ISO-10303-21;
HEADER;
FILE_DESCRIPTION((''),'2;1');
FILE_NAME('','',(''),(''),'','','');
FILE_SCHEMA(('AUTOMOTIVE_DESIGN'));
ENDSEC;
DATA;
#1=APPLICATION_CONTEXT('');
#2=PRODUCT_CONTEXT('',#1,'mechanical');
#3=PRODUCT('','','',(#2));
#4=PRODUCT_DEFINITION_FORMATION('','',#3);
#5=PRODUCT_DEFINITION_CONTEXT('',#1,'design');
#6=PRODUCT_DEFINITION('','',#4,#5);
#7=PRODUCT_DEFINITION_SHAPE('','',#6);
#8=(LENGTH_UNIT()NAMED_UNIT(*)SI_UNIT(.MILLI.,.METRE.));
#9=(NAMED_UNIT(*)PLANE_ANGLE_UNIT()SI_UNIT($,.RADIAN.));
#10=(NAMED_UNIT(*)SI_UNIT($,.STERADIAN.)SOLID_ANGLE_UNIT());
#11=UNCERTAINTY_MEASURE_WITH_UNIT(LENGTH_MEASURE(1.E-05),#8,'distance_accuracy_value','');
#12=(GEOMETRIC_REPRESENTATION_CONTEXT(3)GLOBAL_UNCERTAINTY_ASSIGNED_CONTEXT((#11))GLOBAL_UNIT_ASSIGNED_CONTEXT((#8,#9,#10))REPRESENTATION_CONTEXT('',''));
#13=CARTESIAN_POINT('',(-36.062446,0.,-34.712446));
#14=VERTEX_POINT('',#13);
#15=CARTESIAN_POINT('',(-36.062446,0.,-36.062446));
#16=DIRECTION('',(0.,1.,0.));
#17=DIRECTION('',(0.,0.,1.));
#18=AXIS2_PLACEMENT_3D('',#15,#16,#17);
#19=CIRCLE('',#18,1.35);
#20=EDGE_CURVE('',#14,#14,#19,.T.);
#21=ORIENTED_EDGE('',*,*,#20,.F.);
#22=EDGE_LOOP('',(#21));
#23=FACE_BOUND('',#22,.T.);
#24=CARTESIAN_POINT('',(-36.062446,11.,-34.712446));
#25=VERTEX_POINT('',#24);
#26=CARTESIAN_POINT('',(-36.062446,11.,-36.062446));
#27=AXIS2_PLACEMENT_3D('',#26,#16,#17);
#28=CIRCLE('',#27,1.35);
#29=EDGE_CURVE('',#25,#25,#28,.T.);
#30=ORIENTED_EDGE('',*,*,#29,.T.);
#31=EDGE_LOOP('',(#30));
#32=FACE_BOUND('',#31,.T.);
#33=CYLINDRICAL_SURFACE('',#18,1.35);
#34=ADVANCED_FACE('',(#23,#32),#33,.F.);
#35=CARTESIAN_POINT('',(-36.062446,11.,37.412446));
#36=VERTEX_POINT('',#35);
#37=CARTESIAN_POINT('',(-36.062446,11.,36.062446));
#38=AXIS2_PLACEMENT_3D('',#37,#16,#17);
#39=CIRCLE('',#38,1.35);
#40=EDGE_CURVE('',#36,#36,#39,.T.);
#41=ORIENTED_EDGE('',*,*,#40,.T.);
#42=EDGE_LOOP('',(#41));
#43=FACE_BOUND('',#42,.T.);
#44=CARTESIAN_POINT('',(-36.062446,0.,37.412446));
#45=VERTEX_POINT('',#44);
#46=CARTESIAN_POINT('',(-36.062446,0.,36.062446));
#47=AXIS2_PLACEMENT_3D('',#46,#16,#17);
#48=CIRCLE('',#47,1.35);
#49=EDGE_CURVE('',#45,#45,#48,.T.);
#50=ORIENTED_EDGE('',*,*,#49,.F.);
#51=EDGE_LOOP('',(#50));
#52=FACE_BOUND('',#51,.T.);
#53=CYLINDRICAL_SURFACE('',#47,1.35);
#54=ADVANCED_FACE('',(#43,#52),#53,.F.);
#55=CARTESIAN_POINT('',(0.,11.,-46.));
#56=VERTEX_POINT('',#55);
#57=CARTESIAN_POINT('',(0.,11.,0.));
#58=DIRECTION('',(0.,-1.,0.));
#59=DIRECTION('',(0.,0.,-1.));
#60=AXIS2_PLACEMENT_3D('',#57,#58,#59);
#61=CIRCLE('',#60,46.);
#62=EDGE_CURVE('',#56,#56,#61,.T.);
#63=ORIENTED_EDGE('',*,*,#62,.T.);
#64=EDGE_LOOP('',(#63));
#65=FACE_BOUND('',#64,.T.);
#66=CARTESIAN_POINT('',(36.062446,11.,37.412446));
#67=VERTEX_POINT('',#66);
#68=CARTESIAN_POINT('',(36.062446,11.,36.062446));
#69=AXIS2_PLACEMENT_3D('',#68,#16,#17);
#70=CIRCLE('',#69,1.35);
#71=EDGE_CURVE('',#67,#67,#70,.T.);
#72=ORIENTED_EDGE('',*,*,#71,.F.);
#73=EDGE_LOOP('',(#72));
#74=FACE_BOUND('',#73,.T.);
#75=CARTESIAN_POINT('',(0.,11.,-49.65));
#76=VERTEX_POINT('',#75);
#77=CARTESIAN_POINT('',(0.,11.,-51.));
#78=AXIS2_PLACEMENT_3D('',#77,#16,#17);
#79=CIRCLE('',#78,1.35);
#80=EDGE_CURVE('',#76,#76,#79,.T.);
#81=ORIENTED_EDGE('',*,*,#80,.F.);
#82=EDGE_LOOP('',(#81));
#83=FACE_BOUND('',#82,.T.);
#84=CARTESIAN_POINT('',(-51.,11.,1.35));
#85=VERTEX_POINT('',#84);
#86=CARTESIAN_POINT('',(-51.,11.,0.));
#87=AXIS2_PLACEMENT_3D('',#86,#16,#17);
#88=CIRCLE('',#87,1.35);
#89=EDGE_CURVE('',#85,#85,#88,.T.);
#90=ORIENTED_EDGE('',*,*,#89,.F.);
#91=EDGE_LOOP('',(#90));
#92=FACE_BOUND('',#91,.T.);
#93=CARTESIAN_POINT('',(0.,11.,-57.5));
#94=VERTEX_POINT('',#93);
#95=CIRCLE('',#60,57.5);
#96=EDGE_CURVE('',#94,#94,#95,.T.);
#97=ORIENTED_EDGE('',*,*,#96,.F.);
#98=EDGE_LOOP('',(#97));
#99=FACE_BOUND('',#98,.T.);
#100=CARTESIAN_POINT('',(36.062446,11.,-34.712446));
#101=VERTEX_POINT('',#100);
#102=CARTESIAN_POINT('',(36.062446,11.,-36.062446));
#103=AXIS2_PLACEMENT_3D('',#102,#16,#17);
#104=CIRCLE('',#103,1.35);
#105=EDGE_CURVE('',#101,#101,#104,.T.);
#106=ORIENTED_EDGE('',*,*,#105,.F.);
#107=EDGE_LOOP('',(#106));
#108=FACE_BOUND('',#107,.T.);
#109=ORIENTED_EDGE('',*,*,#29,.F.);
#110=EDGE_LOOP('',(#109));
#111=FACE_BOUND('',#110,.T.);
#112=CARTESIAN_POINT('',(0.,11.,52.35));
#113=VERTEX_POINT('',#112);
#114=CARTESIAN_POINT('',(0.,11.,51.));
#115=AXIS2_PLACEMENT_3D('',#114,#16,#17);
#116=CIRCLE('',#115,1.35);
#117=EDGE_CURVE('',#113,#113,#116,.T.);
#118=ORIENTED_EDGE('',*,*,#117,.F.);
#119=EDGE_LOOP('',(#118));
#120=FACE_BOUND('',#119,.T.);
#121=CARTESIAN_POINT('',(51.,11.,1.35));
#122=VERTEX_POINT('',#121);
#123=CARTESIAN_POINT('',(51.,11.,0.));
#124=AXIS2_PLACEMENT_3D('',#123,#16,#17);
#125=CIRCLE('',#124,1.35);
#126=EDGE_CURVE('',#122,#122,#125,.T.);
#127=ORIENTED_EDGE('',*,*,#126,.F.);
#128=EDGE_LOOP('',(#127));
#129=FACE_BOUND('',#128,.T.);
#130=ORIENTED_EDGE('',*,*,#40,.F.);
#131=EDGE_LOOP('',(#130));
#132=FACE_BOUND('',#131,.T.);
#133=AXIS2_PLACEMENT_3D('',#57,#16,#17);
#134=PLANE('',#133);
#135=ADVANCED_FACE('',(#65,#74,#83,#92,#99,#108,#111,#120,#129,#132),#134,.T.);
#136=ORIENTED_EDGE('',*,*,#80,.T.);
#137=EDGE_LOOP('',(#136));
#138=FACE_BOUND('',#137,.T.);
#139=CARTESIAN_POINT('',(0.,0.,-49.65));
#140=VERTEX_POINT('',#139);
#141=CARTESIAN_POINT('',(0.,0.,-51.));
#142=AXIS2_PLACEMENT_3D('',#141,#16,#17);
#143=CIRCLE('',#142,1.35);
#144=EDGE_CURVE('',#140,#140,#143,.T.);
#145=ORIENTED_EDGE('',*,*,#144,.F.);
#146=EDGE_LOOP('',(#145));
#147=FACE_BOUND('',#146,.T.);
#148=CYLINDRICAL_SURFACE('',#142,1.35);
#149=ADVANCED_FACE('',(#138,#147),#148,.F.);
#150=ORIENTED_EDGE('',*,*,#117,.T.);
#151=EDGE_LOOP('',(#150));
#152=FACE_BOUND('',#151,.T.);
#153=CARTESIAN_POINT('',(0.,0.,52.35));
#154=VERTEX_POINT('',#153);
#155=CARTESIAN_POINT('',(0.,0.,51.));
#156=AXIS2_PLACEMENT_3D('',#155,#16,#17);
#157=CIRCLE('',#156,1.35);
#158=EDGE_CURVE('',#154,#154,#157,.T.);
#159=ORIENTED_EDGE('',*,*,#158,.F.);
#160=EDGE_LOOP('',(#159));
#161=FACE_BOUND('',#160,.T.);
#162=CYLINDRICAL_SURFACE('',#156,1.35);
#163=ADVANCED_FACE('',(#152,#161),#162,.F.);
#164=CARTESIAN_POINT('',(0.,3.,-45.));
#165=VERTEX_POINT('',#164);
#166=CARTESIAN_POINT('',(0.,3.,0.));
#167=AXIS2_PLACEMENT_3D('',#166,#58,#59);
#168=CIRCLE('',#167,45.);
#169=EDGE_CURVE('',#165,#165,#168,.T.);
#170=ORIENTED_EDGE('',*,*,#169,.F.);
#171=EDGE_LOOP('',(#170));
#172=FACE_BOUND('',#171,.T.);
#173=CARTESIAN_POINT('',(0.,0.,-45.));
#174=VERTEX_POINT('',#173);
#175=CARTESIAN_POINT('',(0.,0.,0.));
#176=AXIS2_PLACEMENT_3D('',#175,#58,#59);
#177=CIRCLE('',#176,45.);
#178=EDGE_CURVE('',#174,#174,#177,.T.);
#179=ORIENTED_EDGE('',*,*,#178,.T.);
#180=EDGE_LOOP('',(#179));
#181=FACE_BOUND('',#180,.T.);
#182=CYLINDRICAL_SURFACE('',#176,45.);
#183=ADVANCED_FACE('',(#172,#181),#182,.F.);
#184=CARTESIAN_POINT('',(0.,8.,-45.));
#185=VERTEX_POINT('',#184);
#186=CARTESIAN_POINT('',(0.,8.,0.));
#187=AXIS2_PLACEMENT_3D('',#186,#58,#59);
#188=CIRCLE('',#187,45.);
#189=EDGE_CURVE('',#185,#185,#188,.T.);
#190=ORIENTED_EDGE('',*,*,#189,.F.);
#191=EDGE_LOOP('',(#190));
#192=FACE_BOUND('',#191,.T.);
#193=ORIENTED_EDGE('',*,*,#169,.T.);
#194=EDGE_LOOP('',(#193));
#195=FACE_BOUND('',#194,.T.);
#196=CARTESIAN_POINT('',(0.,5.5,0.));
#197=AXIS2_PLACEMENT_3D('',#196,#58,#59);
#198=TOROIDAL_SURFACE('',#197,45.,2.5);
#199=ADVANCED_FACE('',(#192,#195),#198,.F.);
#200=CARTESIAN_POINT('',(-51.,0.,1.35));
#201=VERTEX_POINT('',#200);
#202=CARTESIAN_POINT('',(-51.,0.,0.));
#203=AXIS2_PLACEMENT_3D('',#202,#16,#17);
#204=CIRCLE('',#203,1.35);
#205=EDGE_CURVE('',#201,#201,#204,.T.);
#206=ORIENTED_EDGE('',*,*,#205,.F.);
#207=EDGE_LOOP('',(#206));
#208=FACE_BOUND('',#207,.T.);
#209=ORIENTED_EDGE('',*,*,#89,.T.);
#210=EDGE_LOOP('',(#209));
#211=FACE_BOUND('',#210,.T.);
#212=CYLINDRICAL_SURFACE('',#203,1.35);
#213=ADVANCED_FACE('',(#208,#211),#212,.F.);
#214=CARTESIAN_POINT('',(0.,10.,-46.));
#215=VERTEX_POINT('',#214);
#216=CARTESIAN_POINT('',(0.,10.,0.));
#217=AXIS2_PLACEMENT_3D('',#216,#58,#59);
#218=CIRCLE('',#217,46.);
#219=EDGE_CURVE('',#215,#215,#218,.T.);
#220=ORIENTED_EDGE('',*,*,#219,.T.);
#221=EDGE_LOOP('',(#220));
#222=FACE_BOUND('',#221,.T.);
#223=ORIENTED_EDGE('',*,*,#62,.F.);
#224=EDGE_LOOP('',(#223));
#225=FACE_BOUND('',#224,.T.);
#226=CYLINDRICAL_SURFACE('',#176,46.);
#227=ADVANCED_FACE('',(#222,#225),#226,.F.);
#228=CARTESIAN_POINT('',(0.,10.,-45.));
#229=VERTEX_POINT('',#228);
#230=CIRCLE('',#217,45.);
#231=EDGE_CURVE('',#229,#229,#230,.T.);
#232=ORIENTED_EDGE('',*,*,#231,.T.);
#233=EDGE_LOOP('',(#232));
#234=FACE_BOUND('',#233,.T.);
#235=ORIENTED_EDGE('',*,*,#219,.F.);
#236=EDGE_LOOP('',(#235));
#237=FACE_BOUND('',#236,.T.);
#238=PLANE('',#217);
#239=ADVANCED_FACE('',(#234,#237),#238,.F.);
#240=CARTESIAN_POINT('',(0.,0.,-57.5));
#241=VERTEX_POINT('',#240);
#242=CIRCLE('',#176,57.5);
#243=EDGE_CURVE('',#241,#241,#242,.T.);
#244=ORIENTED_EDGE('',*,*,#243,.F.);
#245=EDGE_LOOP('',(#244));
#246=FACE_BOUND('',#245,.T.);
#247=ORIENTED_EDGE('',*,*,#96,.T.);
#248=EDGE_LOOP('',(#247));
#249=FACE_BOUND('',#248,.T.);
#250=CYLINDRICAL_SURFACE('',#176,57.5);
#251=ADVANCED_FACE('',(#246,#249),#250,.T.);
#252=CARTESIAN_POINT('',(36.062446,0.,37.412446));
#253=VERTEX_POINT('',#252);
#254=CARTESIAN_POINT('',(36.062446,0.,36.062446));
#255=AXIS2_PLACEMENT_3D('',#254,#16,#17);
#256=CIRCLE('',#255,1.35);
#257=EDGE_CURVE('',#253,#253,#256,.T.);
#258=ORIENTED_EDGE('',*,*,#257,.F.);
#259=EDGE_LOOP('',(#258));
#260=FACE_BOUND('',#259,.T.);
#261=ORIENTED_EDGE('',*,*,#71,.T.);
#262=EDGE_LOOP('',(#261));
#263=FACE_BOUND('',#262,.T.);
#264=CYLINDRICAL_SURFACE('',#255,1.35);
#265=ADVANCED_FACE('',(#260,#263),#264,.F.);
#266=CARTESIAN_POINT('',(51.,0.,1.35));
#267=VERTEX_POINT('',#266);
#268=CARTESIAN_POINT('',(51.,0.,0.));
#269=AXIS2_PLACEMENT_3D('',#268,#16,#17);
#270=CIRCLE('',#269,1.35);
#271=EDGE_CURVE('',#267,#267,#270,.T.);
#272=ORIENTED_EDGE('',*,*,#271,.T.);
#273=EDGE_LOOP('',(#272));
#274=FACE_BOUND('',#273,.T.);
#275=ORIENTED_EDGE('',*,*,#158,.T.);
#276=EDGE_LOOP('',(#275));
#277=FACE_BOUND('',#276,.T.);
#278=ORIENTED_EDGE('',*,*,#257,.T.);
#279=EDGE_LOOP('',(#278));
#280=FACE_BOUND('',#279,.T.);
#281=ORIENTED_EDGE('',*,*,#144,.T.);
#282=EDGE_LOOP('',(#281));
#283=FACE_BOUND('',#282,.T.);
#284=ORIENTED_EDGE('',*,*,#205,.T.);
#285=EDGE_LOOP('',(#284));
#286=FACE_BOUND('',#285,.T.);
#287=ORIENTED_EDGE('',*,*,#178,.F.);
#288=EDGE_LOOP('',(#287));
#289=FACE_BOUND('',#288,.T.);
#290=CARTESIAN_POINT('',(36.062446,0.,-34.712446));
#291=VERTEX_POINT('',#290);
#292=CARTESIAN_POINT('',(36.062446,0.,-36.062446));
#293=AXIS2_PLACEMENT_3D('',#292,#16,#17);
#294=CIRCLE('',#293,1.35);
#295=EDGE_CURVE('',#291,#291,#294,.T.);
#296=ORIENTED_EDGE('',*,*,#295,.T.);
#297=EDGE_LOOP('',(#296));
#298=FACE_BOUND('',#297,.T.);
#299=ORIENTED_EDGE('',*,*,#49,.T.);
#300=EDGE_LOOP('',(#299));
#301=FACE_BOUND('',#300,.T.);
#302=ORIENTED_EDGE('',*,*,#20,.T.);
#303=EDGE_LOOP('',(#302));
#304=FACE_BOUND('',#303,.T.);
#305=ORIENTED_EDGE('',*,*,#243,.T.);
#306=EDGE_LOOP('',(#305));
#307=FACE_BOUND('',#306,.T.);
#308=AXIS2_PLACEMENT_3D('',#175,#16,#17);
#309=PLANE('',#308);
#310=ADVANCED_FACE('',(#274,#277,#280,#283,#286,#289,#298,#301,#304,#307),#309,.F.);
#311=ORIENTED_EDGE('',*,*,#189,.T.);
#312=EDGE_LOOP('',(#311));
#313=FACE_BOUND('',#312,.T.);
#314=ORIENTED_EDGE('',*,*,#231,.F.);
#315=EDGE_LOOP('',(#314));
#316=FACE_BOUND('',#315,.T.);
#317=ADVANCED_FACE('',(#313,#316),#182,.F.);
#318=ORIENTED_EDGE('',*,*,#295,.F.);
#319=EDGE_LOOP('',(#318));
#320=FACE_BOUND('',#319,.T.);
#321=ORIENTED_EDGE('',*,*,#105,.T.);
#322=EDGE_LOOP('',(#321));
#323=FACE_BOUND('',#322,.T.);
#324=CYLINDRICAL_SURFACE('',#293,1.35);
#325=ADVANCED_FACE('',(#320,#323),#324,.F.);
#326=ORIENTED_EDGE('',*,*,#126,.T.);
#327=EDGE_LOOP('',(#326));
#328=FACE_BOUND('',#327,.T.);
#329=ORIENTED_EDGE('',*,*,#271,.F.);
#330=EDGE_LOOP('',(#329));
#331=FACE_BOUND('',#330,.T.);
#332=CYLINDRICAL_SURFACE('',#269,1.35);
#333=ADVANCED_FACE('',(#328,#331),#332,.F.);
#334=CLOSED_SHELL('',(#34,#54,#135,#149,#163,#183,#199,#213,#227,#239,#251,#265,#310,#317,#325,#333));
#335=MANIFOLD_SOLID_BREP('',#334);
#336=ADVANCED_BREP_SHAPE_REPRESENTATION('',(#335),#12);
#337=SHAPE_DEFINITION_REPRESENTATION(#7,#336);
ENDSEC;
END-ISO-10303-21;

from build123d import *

# Parameters (mm, degrees)
SKETCH2_W          = 11.5
SKETCH2_H          = 1
SKETCH3_R          = 1.35
CUT_EXTRUDE1_DEPTH = 83.057906383


with BuildPart() as part:
    # Sketch2 → Revolve1 (revolve)
    with BuildSketch(Plane.XY, mode=Mode.PRIVATE) as revolve1_sk:
        with Locations((-51.75, 10.5)):
            Rectangle(SKETCH2_W, SKETCH2_H)
        with BuildLine():
            Line((-45, 8), (-45, 10))
            Line((-45, 10), (-46, 10))
            Line((-46, 10), (-57.5, 10))
            Line((-57.5, 10), (-57.5, 0))
            Line((-57.5, 0), (-45, 0))
            Line((-45, 0), (-45, 3))
            ThreePointArc((-45, 3), (-47.5, 5.5), (-45, 8))
        make_face()
    revolve(revolve1_sk.sketch.rotate(Axis((0, 0, 0), (0, 1, 0)), 270), axis=Axis((0, 0, 0), (0, 1, 0)))

    # Sketch3 → Cut-Extrude1 (cut, through all)
    with BuildSketch(Plane(origin=(0, 11, 0), x_dir=(1, 0, 0), z_dir=(0, 1, 0))):
        with Locations(Location((-36.062445841, -36.062445841, 0), (0, 0, 270))):
            Circle(SKETCH3_R)
        with Locations(Location((0, -51, 0), (0, 0, 270))):
            Circle(SKETCH3_R)
        with Locations(Location((36.062445841, -36.062445841, 0), (0, 0, 270))):
            Circle(SKETCH3_R)
        with Locations(Location((51, 0, 0), (0, 0, 270))):
            Circle(SKETCH3_R)
        with Locations(Location((36.062445841, 36.062445841, 0), (0, 0, 270))):
            Circle(SKETCH3_R)
        with Locations(Location((0, 51, 0), (0, 0, 270))):
            Circle(SKETCH3_R)
        with Locations(Location((-36.062445841, 36.062445841, 0), (0, 0, 270))):
            Circle(SKETCH3_R)
        with Locations(Location((-51, 0, 0), (0, 0, 270))):
            Circle(SKETCH3_R)
    extrude(amount=-CUT_EXTRUDE1_DEPTH, mode=Mode.SUBTRACT)


solid = part.part
